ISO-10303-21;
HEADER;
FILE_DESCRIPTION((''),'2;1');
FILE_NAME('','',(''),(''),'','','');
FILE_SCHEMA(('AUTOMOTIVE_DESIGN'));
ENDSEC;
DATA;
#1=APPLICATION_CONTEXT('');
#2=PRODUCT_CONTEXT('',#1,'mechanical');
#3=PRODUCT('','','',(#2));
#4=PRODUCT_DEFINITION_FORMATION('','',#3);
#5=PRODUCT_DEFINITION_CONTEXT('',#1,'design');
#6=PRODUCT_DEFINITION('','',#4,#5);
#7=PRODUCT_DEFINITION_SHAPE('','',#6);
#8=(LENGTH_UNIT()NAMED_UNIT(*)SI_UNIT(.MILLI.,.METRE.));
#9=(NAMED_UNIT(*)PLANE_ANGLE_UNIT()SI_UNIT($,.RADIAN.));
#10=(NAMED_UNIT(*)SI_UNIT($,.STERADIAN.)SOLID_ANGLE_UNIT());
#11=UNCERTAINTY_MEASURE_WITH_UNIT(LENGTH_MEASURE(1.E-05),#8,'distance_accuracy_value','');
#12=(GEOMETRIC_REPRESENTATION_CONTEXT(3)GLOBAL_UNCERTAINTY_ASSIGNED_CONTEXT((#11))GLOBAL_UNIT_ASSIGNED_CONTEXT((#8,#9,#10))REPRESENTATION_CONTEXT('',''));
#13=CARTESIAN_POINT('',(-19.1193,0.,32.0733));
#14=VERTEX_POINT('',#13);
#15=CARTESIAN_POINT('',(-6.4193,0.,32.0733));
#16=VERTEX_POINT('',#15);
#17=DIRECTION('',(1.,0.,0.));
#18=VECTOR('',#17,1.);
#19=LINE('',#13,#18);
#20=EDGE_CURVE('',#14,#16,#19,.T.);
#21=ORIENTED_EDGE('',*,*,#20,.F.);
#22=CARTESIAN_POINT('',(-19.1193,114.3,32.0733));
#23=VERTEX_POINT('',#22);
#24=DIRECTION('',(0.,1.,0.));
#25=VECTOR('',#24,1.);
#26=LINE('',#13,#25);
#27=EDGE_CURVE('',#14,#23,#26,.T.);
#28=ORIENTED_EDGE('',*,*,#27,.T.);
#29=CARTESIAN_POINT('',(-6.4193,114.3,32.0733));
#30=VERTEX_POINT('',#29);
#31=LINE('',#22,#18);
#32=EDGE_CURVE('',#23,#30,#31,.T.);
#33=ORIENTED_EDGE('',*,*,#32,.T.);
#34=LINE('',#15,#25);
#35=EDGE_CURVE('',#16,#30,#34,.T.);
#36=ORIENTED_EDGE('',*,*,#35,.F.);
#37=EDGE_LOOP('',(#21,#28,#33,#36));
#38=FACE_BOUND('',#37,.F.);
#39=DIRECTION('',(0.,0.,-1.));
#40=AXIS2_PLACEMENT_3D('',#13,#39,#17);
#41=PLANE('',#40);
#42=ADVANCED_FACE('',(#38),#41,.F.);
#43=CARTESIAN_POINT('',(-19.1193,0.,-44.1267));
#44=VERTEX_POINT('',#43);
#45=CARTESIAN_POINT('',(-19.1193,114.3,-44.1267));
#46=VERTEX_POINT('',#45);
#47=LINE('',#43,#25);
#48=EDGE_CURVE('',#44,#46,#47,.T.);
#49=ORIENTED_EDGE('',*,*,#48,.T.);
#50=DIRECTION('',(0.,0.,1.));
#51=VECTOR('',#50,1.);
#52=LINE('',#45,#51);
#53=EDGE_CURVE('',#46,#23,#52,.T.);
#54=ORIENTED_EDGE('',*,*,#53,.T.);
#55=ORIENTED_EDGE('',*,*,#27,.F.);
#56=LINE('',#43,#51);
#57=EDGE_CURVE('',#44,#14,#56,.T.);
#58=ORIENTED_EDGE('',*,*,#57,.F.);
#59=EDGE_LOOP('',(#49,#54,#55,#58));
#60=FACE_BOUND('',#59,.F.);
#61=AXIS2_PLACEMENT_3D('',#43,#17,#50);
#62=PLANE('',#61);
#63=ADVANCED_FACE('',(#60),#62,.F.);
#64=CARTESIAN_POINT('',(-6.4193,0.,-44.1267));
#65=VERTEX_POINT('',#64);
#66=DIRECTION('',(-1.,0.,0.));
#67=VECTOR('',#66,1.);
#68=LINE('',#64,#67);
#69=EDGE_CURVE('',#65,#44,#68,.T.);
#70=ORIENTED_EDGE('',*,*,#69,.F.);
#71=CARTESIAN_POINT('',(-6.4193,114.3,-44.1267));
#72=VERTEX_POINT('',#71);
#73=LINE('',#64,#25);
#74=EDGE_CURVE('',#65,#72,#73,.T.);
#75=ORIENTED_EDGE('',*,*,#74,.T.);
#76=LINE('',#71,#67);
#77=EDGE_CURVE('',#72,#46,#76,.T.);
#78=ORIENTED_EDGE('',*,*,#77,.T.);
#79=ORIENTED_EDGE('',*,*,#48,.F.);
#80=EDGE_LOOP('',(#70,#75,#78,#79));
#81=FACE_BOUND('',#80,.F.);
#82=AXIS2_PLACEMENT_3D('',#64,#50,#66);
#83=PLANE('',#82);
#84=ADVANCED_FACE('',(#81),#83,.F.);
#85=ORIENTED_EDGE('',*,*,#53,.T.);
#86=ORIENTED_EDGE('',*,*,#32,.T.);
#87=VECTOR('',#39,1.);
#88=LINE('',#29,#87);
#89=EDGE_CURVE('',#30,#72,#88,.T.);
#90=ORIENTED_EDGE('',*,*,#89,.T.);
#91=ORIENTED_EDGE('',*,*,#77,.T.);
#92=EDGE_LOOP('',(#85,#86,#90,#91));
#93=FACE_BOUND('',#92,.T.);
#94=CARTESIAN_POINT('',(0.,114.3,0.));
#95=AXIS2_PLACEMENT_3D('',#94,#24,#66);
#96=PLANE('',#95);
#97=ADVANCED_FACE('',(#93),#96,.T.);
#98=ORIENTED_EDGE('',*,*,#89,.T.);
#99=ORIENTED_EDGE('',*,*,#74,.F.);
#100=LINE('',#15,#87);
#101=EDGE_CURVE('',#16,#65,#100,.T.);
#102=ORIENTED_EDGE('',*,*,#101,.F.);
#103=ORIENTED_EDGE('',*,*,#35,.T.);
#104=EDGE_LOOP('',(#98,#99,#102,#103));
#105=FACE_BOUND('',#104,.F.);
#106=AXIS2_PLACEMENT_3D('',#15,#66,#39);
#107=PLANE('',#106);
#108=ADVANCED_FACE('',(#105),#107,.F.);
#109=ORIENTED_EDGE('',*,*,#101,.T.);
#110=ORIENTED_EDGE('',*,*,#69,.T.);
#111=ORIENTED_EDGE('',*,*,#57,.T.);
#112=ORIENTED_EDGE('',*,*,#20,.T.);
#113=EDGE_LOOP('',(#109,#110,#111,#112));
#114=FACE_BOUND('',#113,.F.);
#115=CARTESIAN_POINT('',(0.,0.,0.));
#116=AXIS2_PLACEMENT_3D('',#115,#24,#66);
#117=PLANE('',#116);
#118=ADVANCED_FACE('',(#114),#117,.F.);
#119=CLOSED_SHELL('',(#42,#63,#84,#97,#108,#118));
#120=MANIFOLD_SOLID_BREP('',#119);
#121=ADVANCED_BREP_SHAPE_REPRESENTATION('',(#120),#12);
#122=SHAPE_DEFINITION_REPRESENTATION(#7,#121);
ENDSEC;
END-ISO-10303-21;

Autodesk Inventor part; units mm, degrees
ref_plane "YZ Plane" through (0, 0, 0) normal (1, 0, 0) x (0, 1, 0)
ref_plane "XZ Plane" through (0, 0, 0) normal (0, 1, 0) x (-1, 0, 0)
ref_plane "XY Plane" through (0, 0, 0) normal (0, 0, 1) x (1, 0, 0)
sketch "Sketch1" plane through (0, 0, 0) normal (0, 1, 0) x (-1, 0, 0)
  line L0 (19.1193, 32.0733) -> (6.4193, 32.0733)
  line L1 (6.4193, 32.0733) -> (6.4193, -44.1267)
  line L2 (6.4193, -44.1267) -> (19.1193, -44.1267)
  line L3 (19.1193, -44.1267) -> (19.1193, 32.0733)
  point P0 (0, 0)
  dimension "d0" = 76.2
  dimension "d1" = 12.7
extrude "Extrusion1" add sketch "Sketch1" along normal blind 114.3
properties part number "Chips"
